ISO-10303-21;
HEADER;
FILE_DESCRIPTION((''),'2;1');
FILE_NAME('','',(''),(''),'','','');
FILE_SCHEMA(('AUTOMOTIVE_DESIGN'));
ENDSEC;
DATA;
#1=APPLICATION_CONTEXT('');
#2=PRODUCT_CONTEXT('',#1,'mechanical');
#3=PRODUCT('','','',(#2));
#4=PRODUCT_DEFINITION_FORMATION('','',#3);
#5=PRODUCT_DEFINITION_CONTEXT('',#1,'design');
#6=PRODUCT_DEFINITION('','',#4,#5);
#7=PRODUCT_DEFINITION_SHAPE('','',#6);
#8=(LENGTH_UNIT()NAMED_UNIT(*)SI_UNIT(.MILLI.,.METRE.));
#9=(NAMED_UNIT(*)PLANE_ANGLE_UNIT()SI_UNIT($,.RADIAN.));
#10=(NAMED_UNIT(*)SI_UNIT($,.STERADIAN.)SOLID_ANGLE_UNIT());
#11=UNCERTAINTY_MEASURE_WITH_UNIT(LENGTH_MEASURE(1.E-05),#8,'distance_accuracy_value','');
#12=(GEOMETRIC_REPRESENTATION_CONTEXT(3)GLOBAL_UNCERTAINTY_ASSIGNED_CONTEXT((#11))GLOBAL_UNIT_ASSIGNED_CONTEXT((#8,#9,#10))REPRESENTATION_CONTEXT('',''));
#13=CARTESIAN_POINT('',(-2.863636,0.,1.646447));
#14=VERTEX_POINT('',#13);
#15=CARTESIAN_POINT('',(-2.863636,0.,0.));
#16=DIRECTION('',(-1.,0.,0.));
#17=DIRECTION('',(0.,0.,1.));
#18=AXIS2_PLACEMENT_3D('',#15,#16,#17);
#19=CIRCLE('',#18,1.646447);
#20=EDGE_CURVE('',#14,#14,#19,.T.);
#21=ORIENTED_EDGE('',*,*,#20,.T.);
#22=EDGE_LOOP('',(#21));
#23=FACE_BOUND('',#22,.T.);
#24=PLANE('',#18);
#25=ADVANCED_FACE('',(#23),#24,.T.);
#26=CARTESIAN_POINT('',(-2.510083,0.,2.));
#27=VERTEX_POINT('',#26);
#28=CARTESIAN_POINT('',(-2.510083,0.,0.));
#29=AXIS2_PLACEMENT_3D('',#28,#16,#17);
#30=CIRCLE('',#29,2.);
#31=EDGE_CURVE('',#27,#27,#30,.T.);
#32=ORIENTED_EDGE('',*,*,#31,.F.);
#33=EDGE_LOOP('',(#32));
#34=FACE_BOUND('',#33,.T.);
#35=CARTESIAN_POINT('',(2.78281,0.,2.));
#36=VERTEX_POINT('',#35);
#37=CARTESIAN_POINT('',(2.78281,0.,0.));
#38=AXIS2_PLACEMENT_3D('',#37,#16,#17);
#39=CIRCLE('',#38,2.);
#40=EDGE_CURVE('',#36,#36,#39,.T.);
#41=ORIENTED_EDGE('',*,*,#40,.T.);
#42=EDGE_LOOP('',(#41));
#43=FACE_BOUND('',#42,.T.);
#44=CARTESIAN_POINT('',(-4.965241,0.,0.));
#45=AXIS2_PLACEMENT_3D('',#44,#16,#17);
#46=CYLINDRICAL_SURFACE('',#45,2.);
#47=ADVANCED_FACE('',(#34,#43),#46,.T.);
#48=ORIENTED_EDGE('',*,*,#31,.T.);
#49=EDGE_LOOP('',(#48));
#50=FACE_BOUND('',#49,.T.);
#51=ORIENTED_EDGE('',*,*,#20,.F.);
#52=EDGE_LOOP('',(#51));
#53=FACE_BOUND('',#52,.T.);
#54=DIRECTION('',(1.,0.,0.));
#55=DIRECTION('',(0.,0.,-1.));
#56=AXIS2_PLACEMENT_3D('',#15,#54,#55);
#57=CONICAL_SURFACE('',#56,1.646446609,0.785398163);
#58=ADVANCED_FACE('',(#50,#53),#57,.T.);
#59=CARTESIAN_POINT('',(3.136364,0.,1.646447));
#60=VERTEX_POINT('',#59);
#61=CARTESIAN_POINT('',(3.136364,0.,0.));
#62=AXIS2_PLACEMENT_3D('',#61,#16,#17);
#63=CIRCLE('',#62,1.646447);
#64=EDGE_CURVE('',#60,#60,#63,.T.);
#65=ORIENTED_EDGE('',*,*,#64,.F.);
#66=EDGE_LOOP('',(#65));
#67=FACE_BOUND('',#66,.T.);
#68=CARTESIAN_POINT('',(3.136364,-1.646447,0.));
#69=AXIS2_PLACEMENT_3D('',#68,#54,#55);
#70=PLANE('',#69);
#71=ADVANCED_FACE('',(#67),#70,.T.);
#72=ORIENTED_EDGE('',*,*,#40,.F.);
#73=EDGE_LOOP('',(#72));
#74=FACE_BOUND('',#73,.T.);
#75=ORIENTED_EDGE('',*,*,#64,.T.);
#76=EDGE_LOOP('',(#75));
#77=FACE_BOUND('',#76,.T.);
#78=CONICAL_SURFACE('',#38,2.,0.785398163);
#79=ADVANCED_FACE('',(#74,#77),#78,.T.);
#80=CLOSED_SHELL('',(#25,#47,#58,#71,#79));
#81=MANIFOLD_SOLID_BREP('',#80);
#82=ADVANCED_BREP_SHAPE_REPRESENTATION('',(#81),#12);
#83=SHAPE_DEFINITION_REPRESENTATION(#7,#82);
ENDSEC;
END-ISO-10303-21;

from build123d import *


with BuildPart() as part:
    # Sketch1 → Revolve1 (revolve)
    with BuildSketch(Plane.XY):
        Polygon((-2.863636364, 0), (-2.863636364, -1.646446609), (-2.510082973, -2), (2.782810246, -2), (3.136363636, -1.646446609), (3.136363636, 0), align=None)
    revolve(axis=Axis((-4.965240642, 0, 0), (1, 0, 0)))


solid = part.part
